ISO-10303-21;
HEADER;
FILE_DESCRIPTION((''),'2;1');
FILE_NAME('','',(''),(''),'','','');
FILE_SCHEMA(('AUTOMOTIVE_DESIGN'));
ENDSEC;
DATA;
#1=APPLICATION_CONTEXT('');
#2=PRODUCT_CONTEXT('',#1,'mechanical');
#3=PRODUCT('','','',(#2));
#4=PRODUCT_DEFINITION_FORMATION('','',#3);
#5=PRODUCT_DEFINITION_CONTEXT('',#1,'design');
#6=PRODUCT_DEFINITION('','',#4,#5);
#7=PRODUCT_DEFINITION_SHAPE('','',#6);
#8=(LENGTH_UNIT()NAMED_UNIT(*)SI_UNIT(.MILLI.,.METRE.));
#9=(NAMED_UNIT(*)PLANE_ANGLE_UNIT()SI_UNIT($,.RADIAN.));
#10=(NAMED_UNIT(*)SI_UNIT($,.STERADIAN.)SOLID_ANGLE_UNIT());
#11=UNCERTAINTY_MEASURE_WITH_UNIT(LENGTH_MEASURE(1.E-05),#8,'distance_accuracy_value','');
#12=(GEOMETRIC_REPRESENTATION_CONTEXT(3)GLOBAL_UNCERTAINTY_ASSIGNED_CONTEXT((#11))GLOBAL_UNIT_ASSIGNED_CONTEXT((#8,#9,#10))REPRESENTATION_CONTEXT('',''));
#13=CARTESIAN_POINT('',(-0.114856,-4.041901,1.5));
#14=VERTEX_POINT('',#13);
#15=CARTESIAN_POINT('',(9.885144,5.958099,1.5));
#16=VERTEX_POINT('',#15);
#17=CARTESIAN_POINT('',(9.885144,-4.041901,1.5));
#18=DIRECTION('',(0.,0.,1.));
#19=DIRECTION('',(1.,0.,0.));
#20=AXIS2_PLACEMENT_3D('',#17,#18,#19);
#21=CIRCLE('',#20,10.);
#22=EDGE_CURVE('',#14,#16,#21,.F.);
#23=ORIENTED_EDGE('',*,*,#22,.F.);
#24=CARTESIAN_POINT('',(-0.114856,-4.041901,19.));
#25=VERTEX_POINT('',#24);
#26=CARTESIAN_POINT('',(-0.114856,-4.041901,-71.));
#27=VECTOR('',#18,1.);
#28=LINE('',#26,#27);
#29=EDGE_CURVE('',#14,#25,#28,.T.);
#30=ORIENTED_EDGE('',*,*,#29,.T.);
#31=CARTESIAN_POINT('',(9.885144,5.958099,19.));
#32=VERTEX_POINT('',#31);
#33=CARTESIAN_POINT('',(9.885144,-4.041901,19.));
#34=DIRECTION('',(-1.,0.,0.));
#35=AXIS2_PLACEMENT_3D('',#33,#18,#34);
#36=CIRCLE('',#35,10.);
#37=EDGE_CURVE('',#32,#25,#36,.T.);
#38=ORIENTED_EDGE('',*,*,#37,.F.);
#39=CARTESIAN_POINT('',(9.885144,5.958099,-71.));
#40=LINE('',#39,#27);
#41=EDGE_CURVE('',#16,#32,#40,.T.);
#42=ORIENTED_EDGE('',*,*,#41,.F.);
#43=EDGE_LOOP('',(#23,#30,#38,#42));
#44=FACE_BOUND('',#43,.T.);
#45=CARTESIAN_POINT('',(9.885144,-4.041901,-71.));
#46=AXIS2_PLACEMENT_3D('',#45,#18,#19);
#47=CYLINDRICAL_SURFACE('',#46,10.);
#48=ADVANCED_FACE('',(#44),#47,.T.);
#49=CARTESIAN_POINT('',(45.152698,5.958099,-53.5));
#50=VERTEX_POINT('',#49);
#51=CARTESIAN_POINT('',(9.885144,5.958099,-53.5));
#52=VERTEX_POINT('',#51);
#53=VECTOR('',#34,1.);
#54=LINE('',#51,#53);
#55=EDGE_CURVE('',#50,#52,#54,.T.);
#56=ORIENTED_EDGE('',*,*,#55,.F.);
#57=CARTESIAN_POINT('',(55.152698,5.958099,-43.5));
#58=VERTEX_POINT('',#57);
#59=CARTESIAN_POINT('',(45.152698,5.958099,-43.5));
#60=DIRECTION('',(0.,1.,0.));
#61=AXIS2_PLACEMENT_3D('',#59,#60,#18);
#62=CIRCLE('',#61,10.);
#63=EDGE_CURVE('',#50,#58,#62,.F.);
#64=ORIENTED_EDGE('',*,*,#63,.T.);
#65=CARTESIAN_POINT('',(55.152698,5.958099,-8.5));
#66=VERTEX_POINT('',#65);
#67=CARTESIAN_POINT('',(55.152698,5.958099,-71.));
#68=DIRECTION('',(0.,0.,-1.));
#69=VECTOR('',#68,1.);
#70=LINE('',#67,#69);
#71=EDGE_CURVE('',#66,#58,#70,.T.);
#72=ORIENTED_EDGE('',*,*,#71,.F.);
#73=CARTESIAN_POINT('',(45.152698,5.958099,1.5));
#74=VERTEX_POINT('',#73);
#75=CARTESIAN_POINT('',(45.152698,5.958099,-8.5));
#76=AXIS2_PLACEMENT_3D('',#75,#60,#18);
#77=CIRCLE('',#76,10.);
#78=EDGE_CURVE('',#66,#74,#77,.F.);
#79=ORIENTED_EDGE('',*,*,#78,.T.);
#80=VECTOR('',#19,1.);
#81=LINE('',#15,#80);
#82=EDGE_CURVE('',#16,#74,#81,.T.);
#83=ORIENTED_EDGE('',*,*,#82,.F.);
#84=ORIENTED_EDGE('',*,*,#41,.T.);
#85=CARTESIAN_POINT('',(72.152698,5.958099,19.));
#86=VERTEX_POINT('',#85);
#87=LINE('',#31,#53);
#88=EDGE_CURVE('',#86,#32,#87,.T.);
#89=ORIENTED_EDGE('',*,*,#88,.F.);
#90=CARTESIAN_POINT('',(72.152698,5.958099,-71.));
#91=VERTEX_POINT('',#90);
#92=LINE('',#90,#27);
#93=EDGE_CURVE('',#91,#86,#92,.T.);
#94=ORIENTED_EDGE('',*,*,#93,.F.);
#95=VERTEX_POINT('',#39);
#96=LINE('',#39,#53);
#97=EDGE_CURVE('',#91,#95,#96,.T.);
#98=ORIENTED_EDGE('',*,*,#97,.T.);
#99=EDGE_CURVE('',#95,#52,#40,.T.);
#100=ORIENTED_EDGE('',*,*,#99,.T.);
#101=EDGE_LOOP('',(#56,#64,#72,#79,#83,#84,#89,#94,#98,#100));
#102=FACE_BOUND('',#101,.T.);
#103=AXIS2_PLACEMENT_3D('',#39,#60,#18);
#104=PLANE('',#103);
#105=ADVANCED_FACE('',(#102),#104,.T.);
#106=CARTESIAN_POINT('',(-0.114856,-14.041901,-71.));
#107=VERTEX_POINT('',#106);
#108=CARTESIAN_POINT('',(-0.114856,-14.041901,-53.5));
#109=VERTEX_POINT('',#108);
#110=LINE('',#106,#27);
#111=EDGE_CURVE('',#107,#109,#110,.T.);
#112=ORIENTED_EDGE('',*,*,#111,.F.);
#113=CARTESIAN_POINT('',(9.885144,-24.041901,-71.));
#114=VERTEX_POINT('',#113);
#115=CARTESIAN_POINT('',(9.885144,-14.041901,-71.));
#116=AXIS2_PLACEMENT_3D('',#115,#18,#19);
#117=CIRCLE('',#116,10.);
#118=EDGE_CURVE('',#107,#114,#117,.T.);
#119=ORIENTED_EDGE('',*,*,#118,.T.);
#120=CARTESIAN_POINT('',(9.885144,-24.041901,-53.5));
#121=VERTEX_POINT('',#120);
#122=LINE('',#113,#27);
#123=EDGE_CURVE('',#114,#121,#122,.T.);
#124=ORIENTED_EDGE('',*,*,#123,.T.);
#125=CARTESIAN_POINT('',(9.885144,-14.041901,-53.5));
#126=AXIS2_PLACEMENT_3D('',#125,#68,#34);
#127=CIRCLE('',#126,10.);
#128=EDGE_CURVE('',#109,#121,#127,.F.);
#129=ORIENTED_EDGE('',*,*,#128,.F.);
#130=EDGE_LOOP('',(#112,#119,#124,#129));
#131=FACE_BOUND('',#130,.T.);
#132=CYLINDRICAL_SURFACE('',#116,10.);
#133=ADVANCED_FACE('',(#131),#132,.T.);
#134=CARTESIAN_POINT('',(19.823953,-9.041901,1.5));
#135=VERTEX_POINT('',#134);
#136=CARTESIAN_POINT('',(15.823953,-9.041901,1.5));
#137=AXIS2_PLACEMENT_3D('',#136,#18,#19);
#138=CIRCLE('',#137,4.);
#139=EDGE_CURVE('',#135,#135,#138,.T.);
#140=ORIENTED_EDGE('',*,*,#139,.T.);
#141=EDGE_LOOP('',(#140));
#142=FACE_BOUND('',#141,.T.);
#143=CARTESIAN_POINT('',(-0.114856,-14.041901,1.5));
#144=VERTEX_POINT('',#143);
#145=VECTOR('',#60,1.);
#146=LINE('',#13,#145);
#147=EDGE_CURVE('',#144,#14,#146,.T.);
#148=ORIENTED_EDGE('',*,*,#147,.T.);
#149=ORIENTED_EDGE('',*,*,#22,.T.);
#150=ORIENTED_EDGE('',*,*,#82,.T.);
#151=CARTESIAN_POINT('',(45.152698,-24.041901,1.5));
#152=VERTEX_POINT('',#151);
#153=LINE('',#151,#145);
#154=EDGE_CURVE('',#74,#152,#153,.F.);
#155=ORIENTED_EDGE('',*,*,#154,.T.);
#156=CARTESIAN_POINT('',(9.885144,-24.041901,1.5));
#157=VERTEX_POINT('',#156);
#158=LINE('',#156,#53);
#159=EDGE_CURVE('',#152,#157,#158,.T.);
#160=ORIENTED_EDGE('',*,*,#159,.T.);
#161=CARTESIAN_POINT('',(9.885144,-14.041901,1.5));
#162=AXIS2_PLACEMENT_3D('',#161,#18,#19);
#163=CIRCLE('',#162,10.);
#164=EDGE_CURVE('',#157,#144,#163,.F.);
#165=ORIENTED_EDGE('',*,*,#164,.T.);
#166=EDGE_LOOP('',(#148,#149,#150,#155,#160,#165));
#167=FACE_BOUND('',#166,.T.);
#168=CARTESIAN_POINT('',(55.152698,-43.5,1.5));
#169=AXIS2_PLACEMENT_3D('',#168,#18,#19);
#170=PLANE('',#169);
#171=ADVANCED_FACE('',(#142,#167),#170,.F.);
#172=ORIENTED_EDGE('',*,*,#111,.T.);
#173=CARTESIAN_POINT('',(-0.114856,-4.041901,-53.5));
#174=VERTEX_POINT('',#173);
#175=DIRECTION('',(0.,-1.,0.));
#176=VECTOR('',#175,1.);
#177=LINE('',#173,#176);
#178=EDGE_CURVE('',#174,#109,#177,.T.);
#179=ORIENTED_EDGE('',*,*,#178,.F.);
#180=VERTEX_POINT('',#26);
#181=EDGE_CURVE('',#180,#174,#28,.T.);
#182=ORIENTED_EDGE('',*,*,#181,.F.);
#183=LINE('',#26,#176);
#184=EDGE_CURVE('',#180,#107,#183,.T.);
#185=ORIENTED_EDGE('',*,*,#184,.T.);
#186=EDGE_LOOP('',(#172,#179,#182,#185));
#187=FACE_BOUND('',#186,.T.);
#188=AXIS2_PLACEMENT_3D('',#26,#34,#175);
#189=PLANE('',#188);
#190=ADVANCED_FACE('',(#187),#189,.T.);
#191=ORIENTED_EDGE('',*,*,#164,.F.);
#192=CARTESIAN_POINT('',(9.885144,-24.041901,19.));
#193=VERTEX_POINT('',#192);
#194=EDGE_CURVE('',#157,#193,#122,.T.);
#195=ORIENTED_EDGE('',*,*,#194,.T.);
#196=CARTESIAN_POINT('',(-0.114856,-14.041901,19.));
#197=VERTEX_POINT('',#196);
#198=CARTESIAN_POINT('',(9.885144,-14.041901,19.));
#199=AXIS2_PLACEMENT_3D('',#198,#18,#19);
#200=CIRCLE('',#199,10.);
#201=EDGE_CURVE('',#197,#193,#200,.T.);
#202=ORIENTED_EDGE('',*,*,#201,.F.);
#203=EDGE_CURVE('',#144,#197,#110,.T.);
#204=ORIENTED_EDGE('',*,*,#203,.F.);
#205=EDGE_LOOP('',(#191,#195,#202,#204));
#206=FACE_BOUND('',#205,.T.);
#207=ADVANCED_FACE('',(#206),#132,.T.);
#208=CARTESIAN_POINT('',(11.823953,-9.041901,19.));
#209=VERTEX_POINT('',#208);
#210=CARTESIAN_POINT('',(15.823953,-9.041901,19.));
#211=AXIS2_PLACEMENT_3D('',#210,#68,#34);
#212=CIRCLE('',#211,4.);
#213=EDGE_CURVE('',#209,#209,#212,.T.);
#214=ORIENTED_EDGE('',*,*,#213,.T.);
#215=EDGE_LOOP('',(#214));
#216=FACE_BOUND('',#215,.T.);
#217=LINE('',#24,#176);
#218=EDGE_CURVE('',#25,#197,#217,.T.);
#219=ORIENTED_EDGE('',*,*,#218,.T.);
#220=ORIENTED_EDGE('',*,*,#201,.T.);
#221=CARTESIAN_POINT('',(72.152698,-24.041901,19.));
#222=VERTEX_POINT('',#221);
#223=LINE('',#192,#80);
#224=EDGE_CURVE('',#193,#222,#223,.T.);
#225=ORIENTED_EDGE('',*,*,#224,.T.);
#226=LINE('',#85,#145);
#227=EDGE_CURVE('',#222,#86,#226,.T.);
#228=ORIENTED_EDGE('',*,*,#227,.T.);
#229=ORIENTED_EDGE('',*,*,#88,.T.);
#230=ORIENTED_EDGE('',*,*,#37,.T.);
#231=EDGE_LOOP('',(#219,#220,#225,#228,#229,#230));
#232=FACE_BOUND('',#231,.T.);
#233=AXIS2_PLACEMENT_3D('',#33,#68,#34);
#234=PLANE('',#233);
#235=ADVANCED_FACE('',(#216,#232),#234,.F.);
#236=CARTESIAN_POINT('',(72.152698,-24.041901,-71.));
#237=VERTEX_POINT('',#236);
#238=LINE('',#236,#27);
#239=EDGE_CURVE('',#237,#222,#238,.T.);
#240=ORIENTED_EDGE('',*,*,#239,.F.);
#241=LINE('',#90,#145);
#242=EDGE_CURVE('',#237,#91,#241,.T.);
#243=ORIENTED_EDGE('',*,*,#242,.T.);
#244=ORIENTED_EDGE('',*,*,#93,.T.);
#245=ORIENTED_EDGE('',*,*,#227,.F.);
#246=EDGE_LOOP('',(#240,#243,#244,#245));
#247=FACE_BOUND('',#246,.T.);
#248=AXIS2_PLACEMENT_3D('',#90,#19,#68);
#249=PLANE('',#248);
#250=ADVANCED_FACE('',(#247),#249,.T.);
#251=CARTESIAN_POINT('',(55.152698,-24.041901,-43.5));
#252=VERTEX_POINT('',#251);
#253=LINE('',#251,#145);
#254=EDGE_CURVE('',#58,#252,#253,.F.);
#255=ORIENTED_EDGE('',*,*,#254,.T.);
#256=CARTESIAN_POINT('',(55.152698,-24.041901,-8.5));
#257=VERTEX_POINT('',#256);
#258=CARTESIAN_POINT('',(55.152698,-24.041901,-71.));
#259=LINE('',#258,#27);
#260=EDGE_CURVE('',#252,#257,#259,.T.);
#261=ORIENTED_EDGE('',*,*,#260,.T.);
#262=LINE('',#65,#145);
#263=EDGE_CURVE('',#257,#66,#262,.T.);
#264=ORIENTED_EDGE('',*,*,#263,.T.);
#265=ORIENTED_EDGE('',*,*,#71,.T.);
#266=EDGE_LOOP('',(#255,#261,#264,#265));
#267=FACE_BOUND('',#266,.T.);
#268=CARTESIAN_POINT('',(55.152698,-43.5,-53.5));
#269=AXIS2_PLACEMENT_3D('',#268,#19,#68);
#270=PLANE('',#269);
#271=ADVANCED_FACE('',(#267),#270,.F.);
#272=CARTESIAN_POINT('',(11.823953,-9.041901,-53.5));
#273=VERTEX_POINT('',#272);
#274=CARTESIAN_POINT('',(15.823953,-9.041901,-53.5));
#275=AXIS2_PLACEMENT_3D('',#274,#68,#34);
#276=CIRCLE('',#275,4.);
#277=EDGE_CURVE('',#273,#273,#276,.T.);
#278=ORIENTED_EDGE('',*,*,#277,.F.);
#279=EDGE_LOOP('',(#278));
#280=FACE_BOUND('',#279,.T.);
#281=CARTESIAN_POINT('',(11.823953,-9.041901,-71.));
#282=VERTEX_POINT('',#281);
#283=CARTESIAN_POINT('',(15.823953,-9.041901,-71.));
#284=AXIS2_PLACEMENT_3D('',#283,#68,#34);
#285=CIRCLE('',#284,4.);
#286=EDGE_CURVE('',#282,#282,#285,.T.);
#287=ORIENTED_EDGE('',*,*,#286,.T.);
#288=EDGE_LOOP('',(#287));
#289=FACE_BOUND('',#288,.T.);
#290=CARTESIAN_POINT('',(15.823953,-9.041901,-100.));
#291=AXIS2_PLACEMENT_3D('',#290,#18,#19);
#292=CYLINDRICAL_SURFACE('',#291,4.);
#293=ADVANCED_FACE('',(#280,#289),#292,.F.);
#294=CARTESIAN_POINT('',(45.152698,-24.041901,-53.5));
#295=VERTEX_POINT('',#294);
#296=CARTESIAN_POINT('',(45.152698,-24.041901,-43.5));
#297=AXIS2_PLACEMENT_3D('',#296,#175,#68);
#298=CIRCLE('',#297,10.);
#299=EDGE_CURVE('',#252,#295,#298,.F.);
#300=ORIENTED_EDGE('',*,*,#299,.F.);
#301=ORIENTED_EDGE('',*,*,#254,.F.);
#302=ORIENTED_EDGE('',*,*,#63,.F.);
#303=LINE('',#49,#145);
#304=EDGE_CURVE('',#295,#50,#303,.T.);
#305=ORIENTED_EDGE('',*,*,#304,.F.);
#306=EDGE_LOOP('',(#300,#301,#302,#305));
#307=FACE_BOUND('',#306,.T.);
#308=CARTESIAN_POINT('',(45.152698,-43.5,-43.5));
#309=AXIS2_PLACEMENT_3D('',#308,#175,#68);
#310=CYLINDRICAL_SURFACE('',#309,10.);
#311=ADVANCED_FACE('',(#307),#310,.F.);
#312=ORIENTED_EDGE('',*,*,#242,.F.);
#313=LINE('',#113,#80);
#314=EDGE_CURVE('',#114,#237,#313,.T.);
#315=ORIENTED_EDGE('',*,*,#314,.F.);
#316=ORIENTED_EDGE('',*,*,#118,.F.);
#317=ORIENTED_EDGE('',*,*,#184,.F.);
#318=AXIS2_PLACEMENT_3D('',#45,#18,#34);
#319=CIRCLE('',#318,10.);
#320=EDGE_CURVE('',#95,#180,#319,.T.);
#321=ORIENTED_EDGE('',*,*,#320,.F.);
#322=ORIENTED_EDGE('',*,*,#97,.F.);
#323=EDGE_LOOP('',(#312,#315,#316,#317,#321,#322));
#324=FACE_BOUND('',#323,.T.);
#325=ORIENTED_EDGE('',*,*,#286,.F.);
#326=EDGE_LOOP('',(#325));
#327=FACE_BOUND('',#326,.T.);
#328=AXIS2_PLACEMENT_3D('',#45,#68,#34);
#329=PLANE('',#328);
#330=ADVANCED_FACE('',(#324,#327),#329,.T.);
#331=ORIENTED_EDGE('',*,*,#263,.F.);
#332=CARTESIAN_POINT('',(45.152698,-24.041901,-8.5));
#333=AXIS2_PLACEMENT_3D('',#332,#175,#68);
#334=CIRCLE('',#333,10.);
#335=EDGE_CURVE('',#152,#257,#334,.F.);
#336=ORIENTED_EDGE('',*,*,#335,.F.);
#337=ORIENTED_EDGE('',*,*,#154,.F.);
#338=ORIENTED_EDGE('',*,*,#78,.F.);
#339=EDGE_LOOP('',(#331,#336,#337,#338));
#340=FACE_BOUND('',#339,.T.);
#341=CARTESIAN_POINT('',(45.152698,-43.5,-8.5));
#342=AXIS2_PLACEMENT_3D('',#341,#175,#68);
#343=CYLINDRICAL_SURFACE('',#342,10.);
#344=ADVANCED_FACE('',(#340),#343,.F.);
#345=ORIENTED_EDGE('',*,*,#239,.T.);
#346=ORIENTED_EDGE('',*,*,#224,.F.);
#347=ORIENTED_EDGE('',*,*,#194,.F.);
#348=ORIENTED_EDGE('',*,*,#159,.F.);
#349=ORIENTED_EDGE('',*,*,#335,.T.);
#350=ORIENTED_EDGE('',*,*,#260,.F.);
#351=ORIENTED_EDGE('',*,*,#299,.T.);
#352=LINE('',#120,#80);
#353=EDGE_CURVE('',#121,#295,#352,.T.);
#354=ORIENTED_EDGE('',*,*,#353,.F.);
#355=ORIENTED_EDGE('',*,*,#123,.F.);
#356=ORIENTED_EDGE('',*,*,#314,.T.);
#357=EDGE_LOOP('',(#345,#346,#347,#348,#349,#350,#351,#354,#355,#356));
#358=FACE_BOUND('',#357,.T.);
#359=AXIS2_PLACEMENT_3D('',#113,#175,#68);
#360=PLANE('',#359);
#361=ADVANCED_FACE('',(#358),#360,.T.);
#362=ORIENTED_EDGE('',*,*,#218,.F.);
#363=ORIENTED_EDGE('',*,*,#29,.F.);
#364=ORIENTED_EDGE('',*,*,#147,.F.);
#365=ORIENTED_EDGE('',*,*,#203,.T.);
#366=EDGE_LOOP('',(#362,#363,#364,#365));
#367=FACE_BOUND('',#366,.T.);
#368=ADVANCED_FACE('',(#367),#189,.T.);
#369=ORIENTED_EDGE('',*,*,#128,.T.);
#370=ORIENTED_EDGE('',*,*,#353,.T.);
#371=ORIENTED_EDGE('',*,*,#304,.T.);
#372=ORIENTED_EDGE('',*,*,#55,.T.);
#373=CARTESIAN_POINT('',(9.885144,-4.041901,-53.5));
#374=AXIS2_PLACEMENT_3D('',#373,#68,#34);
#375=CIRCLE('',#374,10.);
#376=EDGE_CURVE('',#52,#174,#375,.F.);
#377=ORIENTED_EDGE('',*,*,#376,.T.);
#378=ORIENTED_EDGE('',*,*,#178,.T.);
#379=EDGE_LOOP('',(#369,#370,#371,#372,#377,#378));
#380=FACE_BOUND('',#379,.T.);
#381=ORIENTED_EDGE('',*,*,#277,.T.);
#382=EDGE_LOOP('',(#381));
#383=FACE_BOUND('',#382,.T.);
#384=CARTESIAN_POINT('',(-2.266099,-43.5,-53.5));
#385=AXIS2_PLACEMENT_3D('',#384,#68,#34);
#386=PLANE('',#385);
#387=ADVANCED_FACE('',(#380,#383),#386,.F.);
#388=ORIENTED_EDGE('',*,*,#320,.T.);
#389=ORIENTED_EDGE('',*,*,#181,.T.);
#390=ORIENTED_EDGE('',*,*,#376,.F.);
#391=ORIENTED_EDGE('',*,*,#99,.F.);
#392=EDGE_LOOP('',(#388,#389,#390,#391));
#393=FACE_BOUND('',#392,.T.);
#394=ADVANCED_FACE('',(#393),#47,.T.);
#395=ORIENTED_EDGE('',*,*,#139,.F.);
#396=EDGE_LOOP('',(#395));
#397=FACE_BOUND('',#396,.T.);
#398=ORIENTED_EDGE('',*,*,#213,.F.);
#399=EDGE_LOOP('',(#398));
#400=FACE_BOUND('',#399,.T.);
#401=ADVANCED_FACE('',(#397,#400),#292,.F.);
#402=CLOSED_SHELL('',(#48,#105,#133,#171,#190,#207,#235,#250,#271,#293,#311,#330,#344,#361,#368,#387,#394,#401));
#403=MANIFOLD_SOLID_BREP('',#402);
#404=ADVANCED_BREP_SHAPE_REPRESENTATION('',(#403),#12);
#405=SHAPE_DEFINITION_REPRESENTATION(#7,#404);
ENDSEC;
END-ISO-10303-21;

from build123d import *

# Parameters (mm, degrees)
EXTRUDE_START       = 19
EXTRUDE_1_DEPTH     = 90
SKETCH_3_W          = 57.418796995
SKETCH_3_H          = 55
CUT_EXTRUDE_1_DEPTH = 43.5
SKETCH_4_R          = 4
CUT_EXTRUDE_2_DEPTH = 100
FILLET_1_R          = 10


with BuildPart() as part:
    # Эскиз1 → Вытянуть1 (new body)
    with BuildSketch(Plane.XY.offset(EXTRUDE_START)):
        with BuildLine():
            Line((-0.114856082, -4.041900761), (-0.114856082, -14.041900761))
            ThreePointArc((-0.114856082, -14.041900761), (2.814076106, -21.112968573), (9.885143918, -24.041900761))
            Line((9.885143918, -24.041900761), (72.152697535, -24.041900761))
            Line((72.152697535, -24.041900761), (72.152697535, 5.958099239))
            Line((72.152697535, 5.958099239), (9.885143918, 5.958099239))
            ThreePointArc((9.885143918, 5.958099239), (2.814076106, 3.02916705), (-0.114856082, -4.041900761))
        make_face()
    extrude(amount=-EXTRUDE_1_DEPTH)

    # Эскиз3 → Вырез-Вытянуть1 (cut, symmetric)
    with BuildSketch(Plane(origin=(0, 0, 0), x_dir=(1, 0, 0), z_dir=(0, 1, 0))):
        with Locations((26.443299038, 26)):
            Rectangle(SKETCH_3_W, SKETCH_3_H)
    extrude(amount=CUT_EXTRUDE_1_DEPTH, both=True, mode=Mode.SUBTRACT)

    # Эскиз4 → Вырез-Вытянуть2 (cut, symmetric)
    with BuildSketch(Plane.XY):
        with Locations((15.823953055, -9.041900761)):
            Circle(SKETCH_4_R)
    extrude(amount=CUT_EXTRUDE_2_DEPTH, both=True, mode=Mode.SUBTRACT)

    # Скругление1
    fillet_1_edges = [part.edges().sort_by_distance(p)[0] for p in [
        (55.152697535, -9.041900761, -53.5),
        (55.152697535, -9.041900761, 1.5),
    ]]
    fillet(fillet_1_edges, radius=FILLET_1_R)


solid = part.part
